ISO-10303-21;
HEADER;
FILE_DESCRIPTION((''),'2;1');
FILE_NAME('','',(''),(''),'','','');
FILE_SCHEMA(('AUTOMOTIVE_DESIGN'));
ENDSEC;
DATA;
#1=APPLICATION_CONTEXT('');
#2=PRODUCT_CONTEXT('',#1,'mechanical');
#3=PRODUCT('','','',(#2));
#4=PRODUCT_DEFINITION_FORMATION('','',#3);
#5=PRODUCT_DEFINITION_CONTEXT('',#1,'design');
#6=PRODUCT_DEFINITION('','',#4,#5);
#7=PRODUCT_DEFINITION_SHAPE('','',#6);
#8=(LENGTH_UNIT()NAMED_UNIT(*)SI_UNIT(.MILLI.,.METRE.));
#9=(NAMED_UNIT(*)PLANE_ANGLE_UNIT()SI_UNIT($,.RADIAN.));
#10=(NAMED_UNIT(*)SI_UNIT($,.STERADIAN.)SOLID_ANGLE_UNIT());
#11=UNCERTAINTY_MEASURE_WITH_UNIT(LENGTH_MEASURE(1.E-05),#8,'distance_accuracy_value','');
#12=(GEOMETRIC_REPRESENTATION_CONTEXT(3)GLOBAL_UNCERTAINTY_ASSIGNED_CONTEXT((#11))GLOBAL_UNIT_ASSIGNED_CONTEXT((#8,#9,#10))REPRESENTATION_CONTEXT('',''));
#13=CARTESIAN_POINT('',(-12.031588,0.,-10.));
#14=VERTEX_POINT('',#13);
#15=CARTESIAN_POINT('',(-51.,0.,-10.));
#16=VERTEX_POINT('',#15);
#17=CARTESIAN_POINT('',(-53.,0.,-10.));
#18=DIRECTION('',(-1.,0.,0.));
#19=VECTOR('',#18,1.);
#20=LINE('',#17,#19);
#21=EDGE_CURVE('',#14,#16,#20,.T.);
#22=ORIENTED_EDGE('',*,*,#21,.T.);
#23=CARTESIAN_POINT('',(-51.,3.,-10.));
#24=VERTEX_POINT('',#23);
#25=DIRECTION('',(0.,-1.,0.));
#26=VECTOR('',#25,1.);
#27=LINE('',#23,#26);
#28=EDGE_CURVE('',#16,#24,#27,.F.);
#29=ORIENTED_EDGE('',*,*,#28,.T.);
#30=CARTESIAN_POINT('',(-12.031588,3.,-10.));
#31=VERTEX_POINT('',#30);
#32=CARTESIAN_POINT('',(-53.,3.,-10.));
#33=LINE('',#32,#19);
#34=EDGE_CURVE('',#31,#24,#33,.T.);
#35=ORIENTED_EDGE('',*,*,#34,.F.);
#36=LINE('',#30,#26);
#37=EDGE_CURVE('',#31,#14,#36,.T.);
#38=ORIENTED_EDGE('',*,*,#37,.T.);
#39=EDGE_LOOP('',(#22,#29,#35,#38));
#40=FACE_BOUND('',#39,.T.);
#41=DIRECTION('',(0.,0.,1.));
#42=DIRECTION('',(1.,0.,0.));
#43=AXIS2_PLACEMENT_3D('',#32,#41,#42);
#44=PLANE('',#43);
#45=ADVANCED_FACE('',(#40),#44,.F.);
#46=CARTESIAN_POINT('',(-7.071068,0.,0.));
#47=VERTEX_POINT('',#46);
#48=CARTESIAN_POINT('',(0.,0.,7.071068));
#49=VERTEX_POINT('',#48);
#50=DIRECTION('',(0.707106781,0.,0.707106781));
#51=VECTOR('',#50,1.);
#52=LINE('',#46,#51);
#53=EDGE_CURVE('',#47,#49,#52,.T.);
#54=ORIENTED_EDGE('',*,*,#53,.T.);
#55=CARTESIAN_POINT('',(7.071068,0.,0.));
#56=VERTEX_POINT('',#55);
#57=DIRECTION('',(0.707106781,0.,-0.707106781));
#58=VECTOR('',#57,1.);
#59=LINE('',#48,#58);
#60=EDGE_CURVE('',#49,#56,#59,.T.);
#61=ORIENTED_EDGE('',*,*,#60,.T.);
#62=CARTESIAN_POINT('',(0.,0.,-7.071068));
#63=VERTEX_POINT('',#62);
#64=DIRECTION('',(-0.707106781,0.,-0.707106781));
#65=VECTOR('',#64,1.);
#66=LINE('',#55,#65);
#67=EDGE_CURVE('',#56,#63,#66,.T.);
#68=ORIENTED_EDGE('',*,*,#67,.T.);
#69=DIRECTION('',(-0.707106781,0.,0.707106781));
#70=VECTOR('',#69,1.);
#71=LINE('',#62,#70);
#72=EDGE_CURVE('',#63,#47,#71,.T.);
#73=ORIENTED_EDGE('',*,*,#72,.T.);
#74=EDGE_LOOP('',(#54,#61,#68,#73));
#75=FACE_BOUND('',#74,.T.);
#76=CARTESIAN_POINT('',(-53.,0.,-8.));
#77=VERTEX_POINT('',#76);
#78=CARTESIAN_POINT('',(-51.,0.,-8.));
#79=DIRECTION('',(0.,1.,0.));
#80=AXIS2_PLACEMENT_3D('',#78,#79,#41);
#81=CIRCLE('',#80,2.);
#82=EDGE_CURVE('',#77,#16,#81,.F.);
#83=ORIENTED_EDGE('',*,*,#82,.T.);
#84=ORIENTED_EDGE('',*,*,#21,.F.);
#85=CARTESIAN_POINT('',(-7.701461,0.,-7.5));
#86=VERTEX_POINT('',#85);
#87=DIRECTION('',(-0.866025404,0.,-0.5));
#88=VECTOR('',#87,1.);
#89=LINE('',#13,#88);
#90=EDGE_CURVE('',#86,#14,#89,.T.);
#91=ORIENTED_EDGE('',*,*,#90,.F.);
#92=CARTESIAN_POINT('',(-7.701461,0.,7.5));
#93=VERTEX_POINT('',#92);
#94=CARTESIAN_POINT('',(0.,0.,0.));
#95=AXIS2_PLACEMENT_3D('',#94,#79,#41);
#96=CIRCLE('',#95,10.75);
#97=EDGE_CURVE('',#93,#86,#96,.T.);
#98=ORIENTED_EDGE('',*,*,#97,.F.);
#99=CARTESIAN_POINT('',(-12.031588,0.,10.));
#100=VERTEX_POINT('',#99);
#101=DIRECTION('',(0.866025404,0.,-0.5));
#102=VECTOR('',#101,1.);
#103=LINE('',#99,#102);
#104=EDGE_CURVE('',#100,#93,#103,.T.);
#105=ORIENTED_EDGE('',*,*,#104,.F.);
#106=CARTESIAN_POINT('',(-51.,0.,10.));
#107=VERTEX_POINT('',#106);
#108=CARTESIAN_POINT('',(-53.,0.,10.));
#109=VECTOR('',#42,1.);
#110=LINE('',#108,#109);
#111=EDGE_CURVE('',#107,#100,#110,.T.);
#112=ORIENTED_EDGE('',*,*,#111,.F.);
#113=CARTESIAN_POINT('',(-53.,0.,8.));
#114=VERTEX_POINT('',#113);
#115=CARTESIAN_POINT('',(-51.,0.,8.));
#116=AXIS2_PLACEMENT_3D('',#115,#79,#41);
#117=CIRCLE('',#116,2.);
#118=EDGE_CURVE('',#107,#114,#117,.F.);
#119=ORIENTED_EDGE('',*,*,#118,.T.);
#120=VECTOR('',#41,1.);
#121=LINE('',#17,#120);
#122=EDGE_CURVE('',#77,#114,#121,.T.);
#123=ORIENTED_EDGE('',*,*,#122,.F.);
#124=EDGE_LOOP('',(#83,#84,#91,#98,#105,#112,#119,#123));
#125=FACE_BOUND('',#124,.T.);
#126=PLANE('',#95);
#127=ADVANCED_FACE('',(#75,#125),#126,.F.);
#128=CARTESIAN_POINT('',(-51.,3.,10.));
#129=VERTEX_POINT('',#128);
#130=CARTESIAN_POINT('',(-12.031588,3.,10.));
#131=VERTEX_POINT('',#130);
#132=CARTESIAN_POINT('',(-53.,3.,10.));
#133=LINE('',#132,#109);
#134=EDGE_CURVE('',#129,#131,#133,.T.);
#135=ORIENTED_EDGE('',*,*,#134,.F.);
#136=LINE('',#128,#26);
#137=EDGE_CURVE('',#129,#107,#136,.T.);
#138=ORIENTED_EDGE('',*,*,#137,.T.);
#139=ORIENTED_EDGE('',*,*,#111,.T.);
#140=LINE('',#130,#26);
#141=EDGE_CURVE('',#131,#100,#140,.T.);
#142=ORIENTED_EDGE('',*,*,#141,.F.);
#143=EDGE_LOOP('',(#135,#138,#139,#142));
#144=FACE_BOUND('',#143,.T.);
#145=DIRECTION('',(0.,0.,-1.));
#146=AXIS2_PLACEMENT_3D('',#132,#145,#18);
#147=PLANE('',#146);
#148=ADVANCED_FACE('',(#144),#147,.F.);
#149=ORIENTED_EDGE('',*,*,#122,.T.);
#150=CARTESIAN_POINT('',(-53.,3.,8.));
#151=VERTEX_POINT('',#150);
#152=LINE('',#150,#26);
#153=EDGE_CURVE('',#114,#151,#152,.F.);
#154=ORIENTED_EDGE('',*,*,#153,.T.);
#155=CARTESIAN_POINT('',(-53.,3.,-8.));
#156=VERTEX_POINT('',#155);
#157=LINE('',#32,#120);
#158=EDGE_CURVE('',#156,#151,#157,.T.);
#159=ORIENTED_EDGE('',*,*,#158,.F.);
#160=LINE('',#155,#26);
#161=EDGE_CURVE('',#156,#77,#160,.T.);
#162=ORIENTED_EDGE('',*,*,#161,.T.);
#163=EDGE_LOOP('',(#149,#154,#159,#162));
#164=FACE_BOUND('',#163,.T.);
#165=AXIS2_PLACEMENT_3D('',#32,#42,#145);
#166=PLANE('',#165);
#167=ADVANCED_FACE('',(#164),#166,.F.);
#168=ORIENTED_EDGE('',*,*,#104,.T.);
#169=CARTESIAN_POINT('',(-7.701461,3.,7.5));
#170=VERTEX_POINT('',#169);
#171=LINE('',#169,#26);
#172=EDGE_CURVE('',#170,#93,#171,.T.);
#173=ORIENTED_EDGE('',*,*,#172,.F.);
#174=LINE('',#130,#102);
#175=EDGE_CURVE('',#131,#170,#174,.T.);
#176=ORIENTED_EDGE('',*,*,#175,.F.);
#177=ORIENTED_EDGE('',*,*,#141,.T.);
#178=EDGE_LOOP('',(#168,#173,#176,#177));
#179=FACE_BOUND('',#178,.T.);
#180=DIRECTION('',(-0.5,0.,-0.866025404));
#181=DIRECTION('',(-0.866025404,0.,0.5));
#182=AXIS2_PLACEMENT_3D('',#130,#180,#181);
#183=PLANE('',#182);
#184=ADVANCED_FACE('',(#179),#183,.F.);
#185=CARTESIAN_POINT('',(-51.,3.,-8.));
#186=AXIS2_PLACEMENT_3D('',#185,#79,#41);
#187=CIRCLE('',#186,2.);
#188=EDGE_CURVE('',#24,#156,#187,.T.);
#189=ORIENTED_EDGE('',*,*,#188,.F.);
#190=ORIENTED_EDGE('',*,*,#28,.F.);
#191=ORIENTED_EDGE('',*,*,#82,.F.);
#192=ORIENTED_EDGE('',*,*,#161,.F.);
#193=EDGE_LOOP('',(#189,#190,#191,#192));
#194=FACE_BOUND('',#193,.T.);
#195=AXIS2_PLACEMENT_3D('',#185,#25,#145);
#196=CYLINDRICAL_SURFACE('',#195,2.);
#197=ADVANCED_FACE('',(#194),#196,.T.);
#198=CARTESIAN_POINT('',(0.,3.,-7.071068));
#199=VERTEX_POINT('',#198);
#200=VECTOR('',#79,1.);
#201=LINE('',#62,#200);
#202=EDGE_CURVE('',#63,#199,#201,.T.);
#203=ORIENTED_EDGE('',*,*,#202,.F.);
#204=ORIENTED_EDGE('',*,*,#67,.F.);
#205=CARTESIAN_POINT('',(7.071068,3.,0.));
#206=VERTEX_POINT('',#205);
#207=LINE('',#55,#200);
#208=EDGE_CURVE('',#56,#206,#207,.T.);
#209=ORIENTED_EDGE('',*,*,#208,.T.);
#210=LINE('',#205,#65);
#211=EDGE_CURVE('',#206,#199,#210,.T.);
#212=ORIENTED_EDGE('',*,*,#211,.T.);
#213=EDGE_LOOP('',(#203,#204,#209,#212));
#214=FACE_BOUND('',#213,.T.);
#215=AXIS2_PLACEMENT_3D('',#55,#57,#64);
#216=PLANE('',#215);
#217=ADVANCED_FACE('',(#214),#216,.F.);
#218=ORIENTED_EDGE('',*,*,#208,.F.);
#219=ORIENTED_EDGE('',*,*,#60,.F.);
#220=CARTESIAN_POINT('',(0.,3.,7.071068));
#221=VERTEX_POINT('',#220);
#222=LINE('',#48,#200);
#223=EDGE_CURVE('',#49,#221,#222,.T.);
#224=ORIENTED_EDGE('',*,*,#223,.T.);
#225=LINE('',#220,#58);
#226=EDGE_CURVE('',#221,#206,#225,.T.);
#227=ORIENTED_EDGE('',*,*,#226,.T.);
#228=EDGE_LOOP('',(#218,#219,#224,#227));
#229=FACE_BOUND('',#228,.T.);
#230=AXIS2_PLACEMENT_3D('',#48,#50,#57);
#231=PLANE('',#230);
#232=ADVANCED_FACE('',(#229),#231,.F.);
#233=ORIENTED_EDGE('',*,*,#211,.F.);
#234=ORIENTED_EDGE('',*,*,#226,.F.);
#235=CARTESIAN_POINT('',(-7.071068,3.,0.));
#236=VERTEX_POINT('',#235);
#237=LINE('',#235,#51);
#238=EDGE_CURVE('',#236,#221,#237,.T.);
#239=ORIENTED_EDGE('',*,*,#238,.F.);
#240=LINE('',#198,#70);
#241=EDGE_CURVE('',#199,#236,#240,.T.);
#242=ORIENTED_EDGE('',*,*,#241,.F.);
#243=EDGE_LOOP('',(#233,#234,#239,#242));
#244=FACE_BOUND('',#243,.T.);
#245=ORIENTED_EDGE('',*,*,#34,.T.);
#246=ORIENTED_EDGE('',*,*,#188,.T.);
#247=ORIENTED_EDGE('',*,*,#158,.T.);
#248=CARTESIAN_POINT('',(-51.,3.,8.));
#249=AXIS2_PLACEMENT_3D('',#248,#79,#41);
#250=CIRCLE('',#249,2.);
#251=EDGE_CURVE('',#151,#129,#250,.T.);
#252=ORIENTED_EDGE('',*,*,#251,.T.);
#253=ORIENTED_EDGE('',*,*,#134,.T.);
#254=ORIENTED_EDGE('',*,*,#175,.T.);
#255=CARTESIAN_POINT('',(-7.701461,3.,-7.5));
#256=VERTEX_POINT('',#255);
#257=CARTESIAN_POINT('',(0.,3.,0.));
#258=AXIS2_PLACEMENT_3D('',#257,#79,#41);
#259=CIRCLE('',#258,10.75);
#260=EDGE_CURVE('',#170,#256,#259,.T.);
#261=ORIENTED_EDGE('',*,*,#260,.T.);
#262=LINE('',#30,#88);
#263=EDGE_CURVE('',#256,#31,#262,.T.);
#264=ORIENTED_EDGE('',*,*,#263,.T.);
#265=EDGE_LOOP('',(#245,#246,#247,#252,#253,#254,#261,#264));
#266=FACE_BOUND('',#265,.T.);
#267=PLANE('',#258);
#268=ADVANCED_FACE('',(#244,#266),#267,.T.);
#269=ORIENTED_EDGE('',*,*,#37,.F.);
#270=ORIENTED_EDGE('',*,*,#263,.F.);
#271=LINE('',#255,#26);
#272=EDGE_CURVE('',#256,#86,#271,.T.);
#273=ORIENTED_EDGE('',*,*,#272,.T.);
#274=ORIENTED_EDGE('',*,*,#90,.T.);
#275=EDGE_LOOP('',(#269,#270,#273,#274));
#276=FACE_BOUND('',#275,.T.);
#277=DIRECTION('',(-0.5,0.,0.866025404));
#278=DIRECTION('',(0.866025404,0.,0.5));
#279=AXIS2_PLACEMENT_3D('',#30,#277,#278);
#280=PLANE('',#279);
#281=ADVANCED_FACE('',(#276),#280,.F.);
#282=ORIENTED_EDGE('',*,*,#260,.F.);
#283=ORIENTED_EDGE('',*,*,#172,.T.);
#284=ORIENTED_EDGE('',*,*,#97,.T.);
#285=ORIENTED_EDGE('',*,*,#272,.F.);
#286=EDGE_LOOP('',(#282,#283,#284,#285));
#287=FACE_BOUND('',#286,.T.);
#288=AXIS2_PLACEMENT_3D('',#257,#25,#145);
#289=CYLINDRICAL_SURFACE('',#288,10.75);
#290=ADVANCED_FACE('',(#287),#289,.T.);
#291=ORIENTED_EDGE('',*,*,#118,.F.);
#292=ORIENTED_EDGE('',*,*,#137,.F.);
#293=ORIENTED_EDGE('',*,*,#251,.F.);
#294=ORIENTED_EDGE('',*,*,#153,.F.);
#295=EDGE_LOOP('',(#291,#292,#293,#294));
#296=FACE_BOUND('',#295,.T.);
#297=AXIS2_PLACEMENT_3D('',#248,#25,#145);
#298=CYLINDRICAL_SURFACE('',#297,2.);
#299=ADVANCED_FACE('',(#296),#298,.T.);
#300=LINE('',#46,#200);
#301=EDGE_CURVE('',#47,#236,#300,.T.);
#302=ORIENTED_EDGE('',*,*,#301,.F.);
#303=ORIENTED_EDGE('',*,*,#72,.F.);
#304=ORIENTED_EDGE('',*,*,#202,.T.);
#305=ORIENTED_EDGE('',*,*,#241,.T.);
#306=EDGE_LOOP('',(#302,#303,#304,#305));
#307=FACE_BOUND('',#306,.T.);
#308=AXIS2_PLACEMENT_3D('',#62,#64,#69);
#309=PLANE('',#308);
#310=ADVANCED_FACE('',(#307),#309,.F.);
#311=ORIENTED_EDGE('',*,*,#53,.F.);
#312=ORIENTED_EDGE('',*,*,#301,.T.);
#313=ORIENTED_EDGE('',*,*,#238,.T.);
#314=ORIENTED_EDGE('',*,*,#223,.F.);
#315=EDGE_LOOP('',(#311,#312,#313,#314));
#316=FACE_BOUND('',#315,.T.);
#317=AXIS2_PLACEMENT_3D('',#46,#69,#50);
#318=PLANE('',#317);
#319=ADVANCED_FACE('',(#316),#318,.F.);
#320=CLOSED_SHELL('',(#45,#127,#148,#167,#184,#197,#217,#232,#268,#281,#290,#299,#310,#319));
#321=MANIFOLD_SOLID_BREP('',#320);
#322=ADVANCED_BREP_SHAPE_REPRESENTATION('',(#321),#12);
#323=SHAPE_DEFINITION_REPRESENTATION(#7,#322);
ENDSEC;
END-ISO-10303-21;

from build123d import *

# Parameters (mm, degrees)
EXTRUDE_1_DEPTH     = 3
FILLET_1_R          = 2
CUT_EXTRUDE_1_DEPTH = 55.162371625


with BuildPart() as part:
    # 草图2 → 凸台-拉伸1 (new body)
    with BuildSketch(Plane(origin=(0, 0, 0), x_dir=(1, 0, 0), z_dir=(0, 1, 0))):
        with BuildLine():
            Line((-12.031587919, -10), (-7.7014609, -7.5))
            ThreePointArc((-7.7014609, -7.5), (10.75, 0), (-7.7014609, 7.5))
            Line((-7.7014609, 7.5), (-12.031587919, 10))
            Line((-12.031587919, 10), (-53, 10))
            Line((-53, 10), (-53, -10))
            Line((-53, -10), (-12.031587919, -10))
        make_face()
    extrude(amount=EXTRUDE_1_DEPTH)

    # 圆角1
    fillet_1_edges = [part.edges().sort_by_distance(p)[0] for p in [
        (-53, 1.5, -10),
        (-53, 1.5, 10),
    ]]
    fillet(fillet_1_edges, radius=FILLET_1_R)

    # 草图3 → 切除-拉伸1 (cut, through all)
    with BuildSketch(Plane(origin=(0, 3, 0), x_dir=(1, 0, 0), z_dir=(0, 1, 0))):
        Polygon((0, 7.071067812), (-7.071067812, 0), (0, -7.071067812), (7.071067812, 0), align=None)
    extrude(amount=-CUT_EXTRUDE_1_DEPTH, mode=Mode.SUBTRACT)


solid = part.part
